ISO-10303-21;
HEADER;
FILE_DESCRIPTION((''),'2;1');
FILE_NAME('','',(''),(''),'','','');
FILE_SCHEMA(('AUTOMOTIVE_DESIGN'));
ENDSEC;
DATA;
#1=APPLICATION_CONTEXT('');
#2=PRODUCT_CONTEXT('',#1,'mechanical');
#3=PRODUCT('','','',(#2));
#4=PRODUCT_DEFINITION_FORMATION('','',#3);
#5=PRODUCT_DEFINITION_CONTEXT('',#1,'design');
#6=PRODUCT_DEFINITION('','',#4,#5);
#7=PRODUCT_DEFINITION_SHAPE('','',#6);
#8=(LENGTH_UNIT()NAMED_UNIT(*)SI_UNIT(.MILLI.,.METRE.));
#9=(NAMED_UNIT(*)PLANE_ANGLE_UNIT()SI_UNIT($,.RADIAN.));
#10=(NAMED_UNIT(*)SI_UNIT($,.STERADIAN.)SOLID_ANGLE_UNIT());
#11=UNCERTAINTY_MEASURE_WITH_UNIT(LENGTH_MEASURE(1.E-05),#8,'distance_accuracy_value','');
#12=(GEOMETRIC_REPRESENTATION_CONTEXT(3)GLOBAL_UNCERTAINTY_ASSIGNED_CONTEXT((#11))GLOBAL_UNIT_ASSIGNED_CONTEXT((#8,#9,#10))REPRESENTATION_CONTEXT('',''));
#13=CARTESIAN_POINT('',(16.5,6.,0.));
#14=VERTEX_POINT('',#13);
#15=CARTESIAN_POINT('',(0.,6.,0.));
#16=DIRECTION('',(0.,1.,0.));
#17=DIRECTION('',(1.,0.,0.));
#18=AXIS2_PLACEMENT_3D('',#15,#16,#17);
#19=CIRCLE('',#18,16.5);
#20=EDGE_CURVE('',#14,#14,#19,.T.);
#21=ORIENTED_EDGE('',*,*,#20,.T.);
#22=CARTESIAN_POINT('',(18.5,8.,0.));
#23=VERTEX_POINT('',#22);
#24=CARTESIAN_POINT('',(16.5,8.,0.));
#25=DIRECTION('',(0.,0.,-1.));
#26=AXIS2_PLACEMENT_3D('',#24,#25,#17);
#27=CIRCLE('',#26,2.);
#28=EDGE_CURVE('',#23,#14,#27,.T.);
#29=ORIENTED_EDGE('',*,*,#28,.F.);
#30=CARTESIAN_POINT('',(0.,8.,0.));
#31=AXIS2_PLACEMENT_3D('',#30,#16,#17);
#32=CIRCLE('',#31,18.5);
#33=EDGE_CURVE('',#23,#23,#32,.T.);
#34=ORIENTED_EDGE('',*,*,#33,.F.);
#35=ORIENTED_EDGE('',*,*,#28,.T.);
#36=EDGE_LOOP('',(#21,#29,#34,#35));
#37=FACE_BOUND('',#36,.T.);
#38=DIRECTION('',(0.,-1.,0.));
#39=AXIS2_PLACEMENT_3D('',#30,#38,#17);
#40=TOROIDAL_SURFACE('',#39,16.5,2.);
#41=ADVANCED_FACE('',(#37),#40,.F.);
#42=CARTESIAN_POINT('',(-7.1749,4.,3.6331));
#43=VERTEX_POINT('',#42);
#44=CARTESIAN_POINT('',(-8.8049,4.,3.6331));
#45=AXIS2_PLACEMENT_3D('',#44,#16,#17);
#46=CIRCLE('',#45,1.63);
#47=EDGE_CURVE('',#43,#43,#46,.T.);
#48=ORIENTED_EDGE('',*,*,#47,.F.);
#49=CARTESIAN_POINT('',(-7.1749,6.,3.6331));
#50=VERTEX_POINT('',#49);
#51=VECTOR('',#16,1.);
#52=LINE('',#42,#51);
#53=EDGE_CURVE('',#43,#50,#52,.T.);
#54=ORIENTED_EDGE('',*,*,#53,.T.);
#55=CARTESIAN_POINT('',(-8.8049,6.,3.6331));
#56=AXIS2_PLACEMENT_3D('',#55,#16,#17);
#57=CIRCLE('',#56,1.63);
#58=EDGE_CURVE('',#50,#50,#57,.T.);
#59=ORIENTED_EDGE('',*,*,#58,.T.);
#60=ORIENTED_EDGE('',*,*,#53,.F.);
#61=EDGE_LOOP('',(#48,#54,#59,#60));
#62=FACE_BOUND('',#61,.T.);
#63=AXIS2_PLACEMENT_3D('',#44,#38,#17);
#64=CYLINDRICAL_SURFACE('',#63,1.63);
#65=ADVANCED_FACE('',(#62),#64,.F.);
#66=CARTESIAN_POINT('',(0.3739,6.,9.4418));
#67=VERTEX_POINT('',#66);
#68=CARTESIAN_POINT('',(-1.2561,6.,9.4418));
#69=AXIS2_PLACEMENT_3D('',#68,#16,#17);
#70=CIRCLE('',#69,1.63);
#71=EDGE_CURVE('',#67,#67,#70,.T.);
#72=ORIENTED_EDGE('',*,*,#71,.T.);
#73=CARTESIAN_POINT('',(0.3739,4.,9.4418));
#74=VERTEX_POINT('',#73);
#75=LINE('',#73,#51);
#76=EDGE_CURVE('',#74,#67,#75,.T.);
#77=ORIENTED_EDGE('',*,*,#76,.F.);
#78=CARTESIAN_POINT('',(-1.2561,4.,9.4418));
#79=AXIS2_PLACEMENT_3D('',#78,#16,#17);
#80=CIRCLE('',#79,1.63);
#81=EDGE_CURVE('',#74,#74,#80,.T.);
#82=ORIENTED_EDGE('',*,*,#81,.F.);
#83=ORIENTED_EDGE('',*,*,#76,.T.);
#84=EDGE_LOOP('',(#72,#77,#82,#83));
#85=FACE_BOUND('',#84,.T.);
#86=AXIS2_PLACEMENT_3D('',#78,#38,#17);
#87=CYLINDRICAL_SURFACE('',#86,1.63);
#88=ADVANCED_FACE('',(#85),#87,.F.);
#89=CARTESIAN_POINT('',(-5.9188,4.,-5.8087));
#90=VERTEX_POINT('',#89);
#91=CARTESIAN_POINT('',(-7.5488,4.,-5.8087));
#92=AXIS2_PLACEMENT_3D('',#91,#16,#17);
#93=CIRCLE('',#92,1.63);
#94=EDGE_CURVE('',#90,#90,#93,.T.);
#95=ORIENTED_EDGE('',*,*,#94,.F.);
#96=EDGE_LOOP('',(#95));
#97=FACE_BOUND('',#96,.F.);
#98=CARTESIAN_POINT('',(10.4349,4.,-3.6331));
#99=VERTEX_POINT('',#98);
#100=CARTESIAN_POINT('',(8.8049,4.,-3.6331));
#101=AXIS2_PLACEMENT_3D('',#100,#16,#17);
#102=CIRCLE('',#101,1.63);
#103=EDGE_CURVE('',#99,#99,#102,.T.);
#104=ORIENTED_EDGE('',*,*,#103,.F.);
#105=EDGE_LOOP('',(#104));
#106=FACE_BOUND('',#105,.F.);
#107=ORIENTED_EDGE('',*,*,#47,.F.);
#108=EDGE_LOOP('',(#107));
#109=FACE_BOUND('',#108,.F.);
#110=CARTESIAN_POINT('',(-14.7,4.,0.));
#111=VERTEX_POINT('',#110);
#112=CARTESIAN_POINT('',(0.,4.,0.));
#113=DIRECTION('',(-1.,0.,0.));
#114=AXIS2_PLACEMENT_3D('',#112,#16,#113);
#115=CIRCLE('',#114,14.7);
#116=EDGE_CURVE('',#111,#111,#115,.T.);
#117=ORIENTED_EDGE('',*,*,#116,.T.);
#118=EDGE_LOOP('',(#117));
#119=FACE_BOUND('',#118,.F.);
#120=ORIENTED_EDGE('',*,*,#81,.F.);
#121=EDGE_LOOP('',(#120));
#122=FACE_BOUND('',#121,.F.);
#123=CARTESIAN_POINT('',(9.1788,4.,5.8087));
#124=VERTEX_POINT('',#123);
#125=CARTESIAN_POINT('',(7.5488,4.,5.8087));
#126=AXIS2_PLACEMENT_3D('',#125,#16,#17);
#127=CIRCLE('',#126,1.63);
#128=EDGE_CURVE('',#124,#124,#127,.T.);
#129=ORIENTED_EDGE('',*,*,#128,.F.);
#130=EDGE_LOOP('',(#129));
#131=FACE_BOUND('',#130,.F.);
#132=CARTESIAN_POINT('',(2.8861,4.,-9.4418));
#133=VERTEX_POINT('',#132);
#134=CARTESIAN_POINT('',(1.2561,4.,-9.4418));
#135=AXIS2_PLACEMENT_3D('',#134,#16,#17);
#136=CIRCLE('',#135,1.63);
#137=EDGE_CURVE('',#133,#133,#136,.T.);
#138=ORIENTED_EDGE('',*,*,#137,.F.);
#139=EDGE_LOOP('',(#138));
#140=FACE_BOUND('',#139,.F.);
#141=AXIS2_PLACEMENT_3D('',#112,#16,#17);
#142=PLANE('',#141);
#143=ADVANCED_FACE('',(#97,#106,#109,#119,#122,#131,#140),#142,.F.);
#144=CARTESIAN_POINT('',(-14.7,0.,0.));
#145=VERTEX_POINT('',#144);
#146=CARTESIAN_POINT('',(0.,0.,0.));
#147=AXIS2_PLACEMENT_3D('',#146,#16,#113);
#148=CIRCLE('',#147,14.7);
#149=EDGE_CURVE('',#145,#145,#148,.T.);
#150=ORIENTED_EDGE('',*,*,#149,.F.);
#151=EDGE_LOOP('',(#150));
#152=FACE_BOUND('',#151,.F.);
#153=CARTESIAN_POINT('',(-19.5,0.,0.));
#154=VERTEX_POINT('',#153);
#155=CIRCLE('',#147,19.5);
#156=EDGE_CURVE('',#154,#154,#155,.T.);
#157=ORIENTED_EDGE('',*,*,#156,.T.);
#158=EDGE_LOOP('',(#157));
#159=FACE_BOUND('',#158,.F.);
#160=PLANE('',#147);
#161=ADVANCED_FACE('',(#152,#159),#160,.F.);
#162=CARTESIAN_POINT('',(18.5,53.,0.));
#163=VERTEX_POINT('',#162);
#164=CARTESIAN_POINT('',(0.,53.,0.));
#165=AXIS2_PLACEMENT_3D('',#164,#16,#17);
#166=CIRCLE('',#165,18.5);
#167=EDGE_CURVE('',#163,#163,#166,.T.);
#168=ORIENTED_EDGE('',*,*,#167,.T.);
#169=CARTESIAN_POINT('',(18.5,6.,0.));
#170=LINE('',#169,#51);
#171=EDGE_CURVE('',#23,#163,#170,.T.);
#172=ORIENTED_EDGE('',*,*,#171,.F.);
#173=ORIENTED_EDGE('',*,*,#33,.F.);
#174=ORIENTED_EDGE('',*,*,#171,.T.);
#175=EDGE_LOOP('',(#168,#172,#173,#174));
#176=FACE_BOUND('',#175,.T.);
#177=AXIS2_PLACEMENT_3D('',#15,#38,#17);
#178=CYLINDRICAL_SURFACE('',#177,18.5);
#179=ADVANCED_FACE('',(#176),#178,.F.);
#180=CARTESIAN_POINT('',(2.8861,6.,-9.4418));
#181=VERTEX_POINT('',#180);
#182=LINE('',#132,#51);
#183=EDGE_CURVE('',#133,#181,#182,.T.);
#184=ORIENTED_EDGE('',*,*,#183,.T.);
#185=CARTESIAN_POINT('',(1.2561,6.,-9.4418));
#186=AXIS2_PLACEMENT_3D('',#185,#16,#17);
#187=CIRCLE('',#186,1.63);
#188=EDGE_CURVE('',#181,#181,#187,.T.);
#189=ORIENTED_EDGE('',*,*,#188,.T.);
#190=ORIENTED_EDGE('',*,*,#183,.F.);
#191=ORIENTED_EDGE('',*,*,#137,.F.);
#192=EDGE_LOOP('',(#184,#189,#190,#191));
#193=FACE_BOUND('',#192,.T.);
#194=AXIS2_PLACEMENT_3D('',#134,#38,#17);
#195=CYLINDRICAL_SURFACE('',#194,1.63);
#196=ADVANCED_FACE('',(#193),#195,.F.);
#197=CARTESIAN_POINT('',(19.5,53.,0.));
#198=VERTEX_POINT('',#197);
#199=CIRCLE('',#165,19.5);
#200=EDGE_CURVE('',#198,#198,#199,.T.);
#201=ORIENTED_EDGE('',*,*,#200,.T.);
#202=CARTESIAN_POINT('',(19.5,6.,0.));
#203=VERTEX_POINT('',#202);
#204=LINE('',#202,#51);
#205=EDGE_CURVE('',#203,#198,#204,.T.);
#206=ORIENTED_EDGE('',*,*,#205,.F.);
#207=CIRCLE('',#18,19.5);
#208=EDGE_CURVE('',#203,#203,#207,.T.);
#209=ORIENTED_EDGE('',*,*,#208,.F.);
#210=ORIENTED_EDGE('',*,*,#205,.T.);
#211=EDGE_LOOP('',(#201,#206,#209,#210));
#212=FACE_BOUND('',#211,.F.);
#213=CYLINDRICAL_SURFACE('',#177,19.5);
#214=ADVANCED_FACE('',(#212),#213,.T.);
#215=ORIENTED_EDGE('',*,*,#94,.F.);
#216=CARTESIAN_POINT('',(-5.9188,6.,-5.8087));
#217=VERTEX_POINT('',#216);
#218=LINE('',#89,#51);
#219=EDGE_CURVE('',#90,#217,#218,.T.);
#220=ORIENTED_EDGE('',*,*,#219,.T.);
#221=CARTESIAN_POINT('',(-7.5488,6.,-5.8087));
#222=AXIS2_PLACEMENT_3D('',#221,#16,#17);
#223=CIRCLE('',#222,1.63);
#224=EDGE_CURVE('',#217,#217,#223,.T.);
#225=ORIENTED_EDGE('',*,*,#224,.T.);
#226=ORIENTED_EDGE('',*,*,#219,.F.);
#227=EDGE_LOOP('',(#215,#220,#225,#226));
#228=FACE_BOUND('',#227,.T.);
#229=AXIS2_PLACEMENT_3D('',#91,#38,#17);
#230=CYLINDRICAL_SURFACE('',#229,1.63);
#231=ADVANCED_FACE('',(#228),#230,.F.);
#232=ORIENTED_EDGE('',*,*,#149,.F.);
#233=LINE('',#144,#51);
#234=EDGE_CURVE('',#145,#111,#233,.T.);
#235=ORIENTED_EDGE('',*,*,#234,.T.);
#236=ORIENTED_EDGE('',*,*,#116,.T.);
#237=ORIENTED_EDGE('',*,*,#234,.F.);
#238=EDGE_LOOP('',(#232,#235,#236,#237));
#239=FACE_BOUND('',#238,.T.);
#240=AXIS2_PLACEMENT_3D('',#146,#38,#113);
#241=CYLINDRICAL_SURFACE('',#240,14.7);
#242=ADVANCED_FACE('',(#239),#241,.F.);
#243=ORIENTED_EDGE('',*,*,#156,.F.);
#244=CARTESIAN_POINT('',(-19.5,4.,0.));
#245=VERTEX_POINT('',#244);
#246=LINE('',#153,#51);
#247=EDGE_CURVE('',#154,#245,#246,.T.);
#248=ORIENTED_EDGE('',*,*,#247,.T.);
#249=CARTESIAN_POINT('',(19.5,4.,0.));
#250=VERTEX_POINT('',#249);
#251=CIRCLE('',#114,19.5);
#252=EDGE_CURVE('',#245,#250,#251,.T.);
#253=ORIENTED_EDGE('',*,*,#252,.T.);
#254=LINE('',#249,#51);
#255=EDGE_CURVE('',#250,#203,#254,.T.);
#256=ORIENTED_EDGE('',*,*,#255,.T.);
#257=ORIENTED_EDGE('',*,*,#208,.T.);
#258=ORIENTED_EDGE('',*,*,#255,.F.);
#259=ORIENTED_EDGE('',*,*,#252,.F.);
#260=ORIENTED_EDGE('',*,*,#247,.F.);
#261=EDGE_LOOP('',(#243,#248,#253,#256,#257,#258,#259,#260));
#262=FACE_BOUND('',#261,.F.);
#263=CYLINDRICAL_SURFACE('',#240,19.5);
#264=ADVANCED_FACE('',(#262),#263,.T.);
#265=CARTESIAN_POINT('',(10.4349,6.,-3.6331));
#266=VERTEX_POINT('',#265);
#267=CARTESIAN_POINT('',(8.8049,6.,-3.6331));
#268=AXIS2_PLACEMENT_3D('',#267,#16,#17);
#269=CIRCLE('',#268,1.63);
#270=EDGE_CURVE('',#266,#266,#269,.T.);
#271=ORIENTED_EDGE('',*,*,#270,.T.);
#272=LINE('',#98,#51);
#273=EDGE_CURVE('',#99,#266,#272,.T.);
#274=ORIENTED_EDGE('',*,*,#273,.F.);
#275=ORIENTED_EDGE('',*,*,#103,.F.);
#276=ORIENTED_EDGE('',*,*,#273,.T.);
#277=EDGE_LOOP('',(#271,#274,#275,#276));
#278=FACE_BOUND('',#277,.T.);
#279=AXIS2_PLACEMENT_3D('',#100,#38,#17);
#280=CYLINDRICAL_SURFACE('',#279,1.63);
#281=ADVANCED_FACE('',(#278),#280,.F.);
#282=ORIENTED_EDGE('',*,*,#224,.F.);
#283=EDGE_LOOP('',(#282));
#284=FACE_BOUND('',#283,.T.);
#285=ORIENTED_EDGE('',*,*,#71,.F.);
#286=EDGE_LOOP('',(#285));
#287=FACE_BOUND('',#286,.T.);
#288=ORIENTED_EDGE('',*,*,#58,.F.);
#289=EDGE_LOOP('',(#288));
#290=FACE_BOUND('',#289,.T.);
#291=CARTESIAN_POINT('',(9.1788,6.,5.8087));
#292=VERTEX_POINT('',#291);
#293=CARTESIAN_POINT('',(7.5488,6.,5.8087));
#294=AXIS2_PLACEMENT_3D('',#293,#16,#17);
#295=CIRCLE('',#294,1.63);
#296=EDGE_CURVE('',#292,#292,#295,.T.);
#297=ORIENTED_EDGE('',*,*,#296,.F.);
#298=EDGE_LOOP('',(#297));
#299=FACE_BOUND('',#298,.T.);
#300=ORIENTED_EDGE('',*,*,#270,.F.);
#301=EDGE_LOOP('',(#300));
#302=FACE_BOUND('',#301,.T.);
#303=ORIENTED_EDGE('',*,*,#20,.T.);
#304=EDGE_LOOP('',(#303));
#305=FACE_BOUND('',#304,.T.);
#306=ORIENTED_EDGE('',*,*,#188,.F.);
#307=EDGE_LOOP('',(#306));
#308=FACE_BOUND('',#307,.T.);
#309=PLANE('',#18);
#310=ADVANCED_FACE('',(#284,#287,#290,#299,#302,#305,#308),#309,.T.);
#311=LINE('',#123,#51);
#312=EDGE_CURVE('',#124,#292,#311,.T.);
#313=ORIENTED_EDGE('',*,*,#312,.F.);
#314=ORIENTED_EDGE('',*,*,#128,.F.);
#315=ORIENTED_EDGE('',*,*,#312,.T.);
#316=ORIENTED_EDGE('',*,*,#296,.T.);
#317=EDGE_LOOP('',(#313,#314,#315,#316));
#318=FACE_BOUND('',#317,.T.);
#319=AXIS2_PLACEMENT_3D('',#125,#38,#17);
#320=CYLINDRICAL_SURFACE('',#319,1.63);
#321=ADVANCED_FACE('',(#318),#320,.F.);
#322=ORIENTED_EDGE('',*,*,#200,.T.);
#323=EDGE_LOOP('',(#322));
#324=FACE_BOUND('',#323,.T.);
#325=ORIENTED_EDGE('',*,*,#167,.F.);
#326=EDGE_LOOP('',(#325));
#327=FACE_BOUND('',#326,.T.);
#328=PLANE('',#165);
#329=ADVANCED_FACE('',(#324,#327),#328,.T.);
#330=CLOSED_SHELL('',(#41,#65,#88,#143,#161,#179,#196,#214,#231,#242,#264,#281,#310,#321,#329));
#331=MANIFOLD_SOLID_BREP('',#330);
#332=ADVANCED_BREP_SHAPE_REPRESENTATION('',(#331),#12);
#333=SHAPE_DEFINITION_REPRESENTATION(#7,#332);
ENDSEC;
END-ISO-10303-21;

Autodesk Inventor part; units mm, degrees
ref_plane "YZ Plane" through (0, 0, 0) normal (1, 0, 0) x (0, 1, 0)
ref_plane "XZ Plane" through (0, 0, 0) normal (0, 1, 0) x (-1, 0, 0)
ref_plane "XY Plane" through (0, 0, 0) normal (0, 0, 1) x (1, 0, 0)
sketch "Sketch1" plane through (0, 0, 0) normal (0, 1, 0) x (-1, 0, 0)
  circle A0 centre (0, 0) radius 22.5
  circle A1 centre (0, 0) radius 19.5
  circle A2 centre (0, 0) radius 12.7 projected
  circle A3 centre (0, 0) radius 6 projected
  circle A4 centre (8.8049, 3.6331) radius 1.63 projected
  circle A5 centre (7.5488, -5.8087) radius 1.63 projected
  circle A6 centre (-1.2561, -9.4418) radius 1.63 projected
  circle A7 centre (-8.8049, -3.6331) radius 1.63 projected
  circle A8 centre (-7.5488, 5.8087) radius 1.63 projected
  circle A9 centre (1.2561, 9.4418) radius 1.63 projected
  circle A10 centre (0, 0) radius 14.7
  dimension "d0" = 45
  dimension "d1" = 3
  dimension "d4" = 2
extrude "Extrusion1" add sketch "Sketch1" along normal blind 4 contours A1
sketch "Sketch2" plane through (0, 4, 0) normal (0, 1, 0) x (1, 0, 0)
  circle A0 centre (0, 0) radius 19.5 projected
  circle A1 centre (0, 0) radius 14.7 projected
  circle A2 centre (-7.5488, 5.8087) radius 1.63 projected
  circle A3 centre (-8.8049, -3.6331) radius 1.63 projected
  circle A4 centre (-1.2561, -9.4418) radius 1.63 projected
  circle A5 centre (7.5488, -5.8087) radius 1.63 projected
  circle A6 centre (8.8049, 3.6331) radius 1.63 projected
  circle A7 centre (1.2561, 9.4418) radius 1.63 projected
  circle A8 centre (0, 0) radius 12.7 projected
extrude "Extrusion2" add sketch "Sketch2" along normal blind 2 contours A0 | A1 | A8
sketch "Sketch3" plane through (0, 6, 0) normal (0, 1, 0) x (1, 0, 0)
  circle A0 centre (0, 0) radius 22.5
  circle A1 centre (0, 0) radius 19.5
  circle A2 centre (0, 0) radius 18.5
  dimension "d7" = 45
  dimension "d8" = 3
  dimension "d9" = 1
extrude "Extrusion3" add sketch "Sketch3" along normal blind 47 contours A1
fillet "Fillet1" radius 2 1 edges at (-18.5, 6, 0)
properties part number "tulejka"
